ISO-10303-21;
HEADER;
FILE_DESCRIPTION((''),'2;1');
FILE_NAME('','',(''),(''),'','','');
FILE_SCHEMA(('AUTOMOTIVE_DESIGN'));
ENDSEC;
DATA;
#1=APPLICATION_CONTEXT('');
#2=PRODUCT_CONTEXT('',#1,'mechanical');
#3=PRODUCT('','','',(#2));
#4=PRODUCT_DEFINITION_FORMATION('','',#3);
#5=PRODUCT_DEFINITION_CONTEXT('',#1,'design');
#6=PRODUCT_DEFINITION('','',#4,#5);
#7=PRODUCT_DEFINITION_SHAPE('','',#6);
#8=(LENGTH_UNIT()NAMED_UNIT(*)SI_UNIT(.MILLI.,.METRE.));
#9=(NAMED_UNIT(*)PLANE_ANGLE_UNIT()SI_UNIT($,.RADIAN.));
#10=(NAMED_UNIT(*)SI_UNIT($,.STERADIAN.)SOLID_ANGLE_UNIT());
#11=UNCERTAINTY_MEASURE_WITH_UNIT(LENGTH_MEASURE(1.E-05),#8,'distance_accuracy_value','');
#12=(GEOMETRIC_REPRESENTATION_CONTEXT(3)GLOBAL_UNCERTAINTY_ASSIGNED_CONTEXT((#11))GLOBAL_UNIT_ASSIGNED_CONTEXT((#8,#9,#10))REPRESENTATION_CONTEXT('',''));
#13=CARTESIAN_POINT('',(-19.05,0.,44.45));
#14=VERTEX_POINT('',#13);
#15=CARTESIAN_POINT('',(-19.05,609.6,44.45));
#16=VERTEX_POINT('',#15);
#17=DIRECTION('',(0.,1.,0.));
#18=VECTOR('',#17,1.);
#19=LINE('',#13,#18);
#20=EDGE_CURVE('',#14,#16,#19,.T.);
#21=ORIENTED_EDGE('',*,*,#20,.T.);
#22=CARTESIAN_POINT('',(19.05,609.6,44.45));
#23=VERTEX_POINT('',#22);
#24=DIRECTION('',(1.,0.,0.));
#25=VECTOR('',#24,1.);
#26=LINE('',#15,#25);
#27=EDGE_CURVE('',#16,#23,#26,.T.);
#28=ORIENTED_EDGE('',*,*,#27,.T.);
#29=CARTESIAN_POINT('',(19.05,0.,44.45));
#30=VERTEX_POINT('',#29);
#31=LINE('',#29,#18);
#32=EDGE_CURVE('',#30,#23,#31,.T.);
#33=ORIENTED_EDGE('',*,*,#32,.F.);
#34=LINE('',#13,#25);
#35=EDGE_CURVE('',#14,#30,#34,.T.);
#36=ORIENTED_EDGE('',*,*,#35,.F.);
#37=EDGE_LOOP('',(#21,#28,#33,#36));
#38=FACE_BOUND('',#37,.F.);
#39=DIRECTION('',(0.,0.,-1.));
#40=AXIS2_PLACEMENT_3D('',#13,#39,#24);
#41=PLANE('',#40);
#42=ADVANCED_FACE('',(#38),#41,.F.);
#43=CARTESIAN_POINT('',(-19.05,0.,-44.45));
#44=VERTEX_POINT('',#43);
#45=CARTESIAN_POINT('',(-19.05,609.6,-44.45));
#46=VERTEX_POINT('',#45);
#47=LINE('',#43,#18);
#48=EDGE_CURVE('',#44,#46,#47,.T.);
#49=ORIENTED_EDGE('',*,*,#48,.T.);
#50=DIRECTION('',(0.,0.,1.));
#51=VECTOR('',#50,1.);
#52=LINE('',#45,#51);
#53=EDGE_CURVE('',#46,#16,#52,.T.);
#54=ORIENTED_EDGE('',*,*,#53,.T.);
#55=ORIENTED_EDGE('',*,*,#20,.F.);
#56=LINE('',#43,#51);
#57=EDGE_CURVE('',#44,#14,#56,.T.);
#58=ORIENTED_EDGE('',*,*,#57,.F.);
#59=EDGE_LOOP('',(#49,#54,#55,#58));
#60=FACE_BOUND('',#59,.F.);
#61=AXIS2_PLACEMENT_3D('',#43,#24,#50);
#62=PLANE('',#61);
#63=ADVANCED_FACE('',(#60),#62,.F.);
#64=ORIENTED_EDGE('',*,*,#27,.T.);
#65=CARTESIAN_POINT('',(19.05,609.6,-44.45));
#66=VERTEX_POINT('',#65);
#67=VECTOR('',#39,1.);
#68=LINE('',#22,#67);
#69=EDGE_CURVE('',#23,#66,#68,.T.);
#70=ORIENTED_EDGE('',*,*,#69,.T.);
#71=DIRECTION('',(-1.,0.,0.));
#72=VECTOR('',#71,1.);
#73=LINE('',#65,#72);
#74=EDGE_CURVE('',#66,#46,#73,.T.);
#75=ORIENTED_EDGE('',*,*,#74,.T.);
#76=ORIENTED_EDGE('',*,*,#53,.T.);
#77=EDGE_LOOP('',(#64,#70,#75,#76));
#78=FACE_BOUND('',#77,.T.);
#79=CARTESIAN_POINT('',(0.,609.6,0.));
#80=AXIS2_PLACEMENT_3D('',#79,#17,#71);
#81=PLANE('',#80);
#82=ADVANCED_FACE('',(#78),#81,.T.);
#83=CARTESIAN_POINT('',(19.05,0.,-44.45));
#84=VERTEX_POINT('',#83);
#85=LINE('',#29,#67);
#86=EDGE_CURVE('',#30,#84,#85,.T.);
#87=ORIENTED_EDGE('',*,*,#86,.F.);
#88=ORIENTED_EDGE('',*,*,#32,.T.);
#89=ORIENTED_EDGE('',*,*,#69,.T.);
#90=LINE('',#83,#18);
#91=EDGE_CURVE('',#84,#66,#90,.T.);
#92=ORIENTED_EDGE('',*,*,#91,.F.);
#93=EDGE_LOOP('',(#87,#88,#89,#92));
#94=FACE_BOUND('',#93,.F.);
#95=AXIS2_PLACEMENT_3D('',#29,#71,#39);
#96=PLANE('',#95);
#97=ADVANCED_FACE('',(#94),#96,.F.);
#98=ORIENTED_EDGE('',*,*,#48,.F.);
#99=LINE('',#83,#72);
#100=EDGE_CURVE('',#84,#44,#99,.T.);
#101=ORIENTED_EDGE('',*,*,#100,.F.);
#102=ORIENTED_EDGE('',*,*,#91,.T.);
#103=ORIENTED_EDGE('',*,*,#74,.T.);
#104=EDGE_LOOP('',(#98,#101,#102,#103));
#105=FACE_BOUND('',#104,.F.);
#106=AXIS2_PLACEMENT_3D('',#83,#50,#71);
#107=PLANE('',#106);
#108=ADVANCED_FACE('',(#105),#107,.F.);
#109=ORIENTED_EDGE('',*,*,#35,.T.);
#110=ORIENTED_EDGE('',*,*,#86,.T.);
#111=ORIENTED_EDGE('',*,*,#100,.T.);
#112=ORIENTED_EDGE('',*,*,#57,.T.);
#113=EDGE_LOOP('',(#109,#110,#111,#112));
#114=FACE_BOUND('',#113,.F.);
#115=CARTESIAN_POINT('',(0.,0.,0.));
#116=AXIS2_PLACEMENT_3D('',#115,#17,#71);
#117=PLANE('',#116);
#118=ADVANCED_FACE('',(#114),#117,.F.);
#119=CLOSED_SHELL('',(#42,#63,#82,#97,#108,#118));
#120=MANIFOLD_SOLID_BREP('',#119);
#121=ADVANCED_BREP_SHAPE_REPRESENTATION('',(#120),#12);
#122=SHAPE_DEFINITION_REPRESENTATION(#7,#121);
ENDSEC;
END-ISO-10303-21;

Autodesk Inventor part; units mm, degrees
ref_plane "YZ Plane" through (0, 0, 0) normal (1, 0, 0) x (0, 1, 0)
ref_plane "XZ Plane" through (0, 0, 0) normal (0, 1, 0) x (-1, 0, 0)
ref_plane "XY Plane" through (0, 0, 0) normal (0, 0, 1) x (1, 0, 0)
sketch "Sketch1" plane through (0, 0, 0) normal (0, 1, 0) x (-1, 0, 0)
  line L0 (19.05, 44.45) -> (-19.05, 44.45)
  line L1 (-19.05, 44.45) -> (-19.05, -44.45)
  line L2 (-19.05, -44.45) -> (19.05, -44.45)
  line L3 (19.05, -44.45) -> (19.05, 44.45)
  line L4 (19.05, 44.45) -> (-19.05, -44.45) construction
  line L5 (-19.05, 44.45) -> (19.05, -44.45) construction
  point P0 (0, 0)
  dimension "d1" = 38.1
  dimension "d2" = 88.9
extrude "Extrusion1" add sketch "Sketch1" along normal blind 609.6
properties part number "2x4x30"
